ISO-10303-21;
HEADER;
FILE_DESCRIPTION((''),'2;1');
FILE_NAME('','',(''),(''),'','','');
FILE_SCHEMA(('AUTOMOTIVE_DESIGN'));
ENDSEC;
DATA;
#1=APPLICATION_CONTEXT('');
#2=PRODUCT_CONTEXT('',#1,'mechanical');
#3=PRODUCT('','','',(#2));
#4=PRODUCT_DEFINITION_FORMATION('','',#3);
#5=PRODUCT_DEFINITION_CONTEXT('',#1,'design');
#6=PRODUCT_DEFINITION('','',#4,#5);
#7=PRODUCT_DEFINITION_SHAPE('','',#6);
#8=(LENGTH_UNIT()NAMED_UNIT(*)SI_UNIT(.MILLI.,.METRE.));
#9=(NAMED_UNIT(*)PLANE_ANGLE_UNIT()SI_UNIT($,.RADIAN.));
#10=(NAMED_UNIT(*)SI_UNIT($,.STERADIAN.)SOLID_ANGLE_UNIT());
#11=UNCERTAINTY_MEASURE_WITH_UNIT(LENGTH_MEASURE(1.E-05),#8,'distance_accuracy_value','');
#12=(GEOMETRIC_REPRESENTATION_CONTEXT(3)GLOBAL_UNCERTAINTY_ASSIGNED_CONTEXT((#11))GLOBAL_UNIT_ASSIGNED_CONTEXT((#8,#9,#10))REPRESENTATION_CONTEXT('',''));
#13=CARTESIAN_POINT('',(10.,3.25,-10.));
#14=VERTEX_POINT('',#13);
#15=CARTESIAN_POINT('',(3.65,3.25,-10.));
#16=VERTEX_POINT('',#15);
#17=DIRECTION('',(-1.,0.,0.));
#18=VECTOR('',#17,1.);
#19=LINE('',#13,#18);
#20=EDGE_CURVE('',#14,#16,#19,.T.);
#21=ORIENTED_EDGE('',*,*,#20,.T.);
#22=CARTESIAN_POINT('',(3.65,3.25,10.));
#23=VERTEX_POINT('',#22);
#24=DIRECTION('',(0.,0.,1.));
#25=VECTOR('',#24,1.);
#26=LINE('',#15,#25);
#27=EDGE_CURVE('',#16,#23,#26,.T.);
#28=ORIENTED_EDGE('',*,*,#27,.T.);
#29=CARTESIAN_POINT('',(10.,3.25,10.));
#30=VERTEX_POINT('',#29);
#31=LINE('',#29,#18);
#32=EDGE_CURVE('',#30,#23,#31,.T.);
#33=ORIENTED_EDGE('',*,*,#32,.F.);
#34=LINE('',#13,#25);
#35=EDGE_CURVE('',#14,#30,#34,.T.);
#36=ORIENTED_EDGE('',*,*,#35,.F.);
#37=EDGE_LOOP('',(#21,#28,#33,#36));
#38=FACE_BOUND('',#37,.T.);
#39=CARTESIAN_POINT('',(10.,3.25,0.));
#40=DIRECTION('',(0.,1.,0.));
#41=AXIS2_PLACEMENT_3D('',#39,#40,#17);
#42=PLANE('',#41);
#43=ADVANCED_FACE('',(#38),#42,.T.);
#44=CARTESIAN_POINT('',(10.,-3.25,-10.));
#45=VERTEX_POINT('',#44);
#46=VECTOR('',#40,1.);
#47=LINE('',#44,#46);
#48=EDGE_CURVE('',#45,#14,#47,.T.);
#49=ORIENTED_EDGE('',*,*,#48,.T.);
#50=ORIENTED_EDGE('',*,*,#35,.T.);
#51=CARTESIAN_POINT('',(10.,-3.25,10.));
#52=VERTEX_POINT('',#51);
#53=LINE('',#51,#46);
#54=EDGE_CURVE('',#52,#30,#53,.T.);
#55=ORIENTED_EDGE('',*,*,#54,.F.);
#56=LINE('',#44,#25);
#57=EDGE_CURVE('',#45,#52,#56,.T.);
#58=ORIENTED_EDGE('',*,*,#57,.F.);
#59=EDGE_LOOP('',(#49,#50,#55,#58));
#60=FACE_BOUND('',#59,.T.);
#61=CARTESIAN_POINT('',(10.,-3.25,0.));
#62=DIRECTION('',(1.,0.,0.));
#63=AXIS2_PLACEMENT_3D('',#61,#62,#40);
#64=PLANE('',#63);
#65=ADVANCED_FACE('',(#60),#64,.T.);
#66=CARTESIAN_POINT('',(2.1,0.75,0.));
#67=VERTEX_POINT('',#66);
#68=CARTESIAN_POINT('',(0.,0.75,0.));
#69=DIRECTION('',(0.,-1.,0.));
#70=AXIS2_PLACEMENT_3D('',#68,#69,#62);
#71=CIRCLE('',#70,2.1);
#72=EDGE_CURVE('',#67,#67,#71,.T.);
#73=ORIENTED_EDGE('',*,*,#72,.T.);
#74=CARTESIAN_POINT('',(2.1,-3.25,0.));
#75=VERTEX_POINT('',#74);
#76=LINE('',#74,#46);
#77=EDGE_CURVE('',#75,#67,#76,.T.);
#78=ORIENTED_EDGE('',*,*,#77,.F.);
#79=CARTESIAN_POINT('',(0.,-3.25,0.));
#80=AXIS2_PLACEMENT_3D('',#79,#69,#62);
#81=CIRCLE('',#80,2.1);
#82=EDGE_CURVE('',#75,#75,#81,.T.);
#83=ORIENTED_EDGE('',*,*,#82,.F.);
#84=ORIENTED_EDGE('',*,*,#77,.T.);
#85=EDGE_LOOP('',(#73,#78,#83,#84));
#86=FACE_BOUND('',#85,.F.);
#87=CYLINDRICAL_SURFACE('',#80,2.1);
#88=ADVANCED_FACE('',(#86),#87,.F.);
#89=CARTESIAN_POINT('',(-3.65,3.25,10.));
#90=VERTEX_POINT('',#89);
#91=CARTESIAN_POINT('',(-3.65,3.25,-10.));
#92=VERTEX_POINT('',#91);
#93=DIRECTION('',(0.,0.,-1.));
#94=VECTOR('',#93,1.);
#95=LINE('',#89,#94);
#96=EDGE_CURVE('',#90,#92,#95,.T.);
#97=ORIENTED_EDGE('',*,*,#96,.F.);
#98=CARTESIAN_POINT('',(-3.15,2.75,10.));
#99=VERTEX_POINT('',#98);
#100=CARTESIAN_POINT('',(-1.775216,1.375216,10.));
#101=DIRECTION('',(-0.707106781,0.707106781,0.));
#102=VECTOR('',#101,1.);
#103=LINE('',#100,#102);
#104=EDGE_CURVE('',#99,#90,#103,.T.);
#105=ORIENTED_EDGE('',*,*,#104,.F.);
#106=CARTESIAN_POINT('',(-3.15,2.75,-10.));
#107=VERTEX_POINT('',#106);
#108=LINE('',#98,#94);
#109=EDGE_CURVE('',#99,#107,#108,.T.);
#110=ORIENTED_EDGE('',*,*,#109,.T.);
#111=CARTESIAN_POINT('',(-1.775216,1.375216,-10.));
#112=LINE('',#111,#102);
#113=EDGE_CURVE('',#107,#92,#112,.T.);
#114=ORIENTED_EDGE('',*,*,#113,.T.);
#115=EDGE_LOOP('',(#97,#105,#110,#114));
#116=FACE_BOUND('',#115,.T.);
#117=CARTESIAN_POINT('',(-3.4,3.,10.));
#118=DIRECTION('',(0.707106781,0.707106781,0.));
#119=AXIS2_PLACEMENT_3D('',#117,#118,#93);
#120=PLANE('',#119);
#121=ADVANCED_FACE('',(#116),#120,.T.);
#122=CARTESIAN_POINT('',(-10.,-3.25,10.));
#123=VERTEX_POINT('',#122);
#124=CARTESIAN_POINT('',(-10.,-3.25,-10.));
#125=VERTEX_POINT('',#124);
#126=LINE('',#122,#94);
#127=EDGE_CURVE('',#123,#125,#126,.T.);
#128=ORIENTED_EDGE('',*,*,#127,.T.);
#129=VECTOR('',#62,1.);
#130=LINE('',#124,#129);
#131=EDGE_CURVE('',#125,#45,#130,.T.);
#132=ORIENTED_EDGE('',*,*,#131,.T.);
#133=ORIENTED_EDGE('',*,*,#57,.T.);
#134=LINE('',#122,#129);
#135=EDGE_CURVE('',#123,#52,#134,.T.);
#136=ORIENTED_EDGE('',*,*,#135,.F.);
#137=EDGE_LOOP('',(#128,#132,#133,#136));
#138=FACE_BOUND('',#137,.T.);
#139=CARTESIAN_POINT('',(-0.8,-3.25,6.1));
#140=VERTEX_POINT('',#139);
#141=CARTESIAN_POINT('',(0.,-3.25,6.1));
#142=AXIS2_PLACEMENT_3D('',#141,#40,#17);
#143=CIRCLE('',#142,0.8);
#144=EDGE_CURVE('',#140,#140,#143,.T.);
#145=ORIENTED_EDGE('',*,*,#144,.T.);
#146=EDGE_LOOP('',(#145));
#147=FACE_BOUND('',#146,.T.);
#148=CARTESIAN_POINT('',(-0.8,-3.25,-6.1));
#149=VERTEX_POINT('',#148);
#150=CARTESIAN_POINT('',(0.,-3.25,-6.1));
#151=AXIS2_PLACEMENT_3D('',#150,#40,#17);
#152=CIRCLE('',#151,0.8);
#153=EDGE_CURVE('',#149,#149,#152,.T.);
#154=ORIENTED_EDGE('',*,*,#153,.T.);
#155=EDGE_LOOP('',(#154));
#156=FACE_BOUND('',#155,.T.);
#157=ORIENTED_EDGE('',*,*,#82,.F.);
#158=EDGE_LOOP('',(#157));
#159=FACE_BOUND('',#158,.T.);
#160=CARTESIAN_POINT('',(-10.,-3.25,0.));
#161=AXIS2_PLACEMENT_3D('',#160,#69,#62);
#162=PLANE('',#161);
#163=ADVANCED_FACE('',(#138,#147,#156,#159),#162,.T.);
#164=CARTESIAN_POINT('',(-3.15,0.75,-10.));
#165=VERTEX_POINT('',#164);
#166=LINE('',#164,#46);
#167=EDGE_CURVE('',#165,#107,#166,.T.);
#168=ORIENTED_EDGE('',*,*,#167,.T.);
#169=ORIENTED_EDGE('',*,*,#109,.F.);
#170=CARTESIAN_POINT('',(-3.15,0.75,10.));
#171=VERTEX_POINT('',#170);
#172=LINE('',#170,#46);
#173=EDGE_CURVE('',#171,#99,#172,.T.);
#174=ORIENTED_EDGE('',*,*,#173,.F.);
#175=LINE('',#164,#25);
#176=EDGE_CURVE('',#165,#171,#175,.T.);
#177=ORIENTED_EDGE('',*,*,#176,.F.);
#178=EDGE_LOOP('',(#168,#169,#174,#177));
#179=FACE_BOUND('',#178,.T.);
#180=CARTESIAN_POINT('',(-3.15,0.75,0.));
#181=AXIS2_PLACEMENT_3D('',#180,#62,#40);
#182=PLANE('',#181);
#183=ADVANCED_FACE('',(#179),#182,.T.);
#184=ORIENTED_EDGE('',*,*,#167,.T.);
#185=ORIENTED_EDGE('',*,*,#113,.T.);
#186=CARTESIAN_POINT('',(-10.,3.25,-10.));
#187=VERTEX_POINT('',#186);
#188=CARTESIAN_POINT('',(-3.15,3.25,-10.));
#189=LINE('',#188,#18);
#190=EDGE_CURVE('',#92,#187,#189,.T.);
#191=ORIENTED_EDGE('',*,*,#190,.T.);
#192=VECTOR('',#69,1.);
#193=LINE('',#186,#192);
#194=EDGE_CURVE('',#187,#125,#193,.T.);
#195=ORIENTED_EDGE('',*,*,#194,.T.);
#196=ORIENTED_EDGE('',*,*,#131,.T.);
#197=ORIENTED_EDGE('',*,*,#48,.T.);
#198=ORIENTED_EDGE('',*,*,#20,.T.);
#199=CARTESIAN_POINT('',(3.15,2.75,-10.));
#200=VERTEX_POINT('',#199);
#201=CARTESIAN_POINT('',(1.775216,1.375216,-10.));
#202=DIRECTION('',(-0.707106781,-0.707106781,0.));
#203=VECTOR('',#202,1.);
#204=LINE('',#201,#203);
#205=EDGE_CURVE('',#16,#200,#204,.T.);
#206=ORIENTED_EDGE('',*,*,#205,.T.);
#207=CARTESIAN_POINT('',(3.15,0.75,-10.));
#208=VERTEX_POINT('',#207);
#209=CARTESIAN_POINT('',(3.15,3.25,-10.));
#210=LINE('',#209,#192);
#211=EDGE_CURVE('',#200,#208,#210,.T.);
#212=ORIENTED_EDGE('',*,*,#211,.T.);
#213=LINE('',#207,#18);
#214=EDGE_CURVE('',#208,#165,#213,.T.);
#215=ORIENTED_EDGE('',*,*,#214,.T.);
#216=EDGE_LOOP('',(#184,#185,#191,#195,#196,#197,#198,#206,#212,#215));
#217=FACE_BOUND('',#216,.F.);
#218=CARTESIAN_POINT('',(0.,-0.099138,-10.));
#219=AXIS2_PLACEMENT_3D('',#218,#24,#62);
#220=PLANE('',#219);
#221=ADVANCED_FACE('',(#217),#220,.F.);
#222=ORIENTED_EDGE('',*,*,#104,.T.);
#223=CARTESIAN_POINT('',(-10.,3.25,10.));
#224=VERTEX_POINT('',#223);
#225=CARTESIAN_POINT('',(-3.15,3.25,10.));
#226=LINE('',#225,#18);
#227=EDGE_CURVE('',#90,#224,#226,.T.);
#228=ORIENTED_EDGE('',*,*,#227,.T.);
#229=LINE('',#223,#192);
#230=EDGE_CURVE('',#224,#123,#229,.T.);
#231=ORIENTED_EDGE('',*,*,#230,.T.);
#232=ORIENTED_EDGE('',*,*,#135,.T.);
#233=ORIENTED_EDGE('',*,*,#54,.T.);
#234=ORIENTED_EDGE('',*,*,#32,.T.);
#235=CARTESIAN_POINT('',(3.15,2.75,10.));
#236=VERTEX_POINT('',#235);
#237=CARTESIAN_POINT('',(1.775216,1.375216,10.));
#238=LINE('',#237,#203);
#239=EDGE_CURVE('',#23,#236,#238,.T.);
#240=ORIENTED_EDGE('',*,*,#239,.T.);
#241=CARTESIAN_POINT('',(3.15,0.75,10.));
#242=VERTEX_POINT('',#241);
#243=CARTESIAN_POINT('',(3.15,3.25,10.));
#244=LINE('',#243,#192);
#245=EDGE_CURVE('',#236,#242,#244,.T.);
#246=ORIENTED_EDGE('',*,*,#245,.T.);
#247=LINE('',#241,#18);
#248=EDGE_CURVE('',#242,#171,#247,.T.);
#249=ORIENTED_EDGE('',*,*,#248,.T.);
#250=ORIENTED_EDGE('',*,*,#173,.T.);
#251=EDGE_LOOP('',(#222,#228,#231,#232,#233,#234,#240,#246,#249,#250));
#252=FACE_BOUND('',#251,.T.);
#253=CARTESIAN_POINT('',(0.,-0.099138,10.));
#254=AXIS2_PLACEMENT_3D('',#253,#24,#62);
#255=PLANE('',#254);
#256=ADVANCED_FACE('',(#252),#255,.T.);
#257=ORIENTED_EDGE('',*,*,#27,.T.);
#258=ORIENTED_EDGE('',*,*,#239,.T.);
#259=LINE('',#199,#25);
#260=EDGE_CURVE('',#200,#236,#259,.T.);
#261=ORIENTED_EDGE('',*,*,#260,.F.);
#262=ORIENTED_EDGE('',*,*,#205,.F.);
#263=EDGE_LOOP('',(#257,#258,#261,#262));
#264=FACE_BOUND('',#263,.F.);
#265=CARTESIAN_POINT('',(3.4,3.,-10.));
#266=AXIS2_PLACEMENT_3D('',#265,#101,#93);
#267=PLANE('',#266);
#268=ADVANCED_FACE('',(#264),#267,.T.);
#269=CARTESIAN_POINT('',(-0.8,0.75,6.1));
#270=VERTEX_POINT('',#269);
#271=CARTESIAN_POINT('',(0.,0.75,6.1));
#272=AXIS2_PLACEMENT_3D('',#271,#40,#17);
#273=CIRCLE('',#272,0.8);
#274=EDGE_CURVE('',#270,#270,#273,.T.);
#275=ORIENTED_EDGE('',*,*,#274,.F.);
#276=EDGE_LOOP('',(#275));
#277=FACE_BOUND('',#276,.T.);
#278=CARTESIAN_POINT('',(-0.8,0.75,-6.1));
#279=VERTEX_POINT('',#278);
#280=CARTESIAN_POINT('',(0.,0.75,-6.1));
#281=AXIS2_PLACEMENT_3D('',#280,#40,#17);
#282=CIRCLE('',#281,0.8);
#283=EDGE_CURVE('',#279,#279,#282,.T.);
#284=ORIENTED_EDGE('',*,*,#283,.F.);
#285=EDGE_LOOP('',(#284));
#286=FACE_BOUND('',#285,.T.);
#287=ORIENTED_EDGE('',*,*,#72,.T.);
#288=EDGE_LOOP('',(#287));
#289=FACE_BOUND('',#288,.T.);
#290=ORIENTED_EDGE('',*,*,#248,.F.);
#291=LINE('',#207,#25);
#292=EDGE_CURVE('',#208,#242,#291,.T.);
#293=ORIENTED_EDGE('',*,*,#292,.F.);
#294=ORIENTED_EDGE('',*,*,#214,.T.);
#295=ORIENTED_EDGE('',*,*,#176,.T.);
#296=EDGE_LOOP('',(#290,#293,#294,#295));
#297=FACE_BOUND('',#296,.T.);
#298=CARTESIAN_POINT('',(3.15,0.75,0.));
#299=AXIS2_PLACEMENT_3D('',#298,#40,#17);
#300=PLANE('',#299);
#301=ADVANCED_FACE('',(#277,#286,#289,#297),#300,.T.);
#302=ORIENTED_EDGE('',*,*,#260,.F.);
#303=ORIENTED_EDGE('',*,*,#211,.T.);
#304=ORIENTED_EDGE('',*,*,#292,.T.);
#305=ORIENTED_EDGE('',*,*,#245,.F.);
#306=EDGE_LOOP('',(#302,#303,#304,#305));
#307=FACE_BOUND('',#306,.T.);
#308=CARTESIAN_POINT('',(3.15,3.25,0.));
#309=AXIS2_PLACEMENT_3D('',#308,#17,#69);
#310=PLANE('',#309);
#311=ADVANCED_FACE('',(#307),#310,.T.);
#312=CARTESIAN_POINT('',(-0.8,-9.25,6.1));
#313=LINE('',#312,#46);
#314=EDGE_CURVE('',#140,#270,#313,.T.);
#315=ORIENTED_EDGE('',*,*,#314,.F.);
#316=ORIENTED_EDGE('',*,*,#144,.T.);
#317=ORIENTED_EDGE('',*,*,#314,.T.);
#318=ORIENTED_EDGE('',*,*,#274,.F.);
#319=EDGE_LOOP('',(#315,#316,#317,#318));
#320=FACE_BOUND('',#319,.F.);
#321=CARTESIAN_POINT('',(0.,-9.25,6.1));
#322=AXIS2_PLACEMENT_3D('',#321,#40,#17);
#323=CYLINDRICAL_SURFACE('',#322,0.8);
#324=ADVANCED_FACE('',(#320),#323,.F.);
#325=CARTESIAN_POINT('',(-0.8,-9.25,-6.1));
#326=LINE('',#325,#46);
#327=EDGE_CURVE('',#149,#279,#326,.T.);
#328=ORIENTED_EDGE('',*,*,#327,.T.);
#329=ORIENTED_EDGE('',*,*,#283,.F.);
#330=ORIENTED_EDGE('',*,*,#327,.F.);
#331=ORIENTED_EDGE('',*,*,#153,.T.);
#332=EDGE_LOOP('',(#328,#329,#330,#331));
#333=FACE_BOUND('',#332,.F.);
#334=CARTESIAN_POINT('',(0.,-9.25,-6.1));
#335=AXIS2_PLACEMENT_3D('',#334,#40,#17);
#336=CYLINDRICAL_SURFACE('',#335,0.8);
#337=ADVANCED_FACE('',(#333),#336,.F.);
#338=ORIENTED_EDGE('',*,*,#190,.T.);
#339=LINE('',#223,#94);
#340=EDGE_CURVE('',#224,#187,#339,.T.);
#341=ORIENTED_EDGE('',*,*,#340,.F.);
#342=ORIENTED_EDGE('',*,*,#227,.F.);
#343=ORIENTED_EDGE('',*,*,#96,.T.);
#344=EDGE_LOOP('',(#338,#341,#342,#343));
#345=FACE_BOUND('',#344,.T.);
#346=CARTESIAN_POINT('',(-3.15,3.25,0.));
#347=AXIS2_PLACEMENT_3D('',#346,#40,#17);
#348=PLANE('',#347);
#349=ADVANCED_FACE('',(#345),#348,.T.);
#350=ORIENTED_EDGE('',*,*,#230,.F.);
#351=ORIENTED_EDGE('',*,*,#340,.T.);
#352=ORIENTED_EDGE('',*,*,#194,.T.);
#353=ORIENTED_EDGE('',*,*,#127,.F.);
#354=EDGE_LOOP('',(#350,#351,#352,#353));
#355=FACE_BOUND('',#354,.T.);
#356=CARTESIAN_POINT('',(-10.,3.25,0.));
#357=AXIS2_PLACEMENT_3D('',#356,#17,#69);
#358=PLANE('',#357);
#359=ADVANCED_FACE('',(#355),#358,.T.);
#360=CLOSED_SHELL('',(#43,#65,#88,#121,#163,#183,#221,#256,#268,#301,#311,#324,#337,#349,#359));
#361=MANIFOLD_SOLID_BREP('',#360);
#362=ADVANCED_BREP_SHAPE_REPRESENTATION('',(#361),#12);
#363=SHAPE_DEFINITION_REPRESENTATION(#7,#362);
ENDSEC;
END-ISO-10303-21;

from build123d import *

# Parameters (mm, degrees)
F1_DEPTH = 10
F3_D     = 1.6
F3_DEPTH = 6
F2_R     = 2.1
F4_DEPTH = 25
F5_SIZE  = 0.5


with BuildPart() as f1:
    # F0 (on Top) → F1 (new body, symmetric)
    with BuildSketch(Plane.XY):
        Polygon((-10, -3.25), (10, -3.25), (10, 3.25), (3.15, 3.25), (3.15, 0.75), (-3.15, 0.75), (-3.15, 3.25), (-10, 3.25), align=None)
    extrude(amount=F1_DEPTH, both=True)

    # F3
    with Locations(Plane.XZ.offset(3.25)):
        with Locations((0, 6.1), (0, -6.1)):
            Hole(F3_D / 2, depth=F3_DEPTH)

    # F2 (on face) → F4 (cut)
    with BuildSketch(Plane.XZ.offset(3.25)):
        Circle(F2_R)
    extrude(amount=-F4_DEPTH, mode=Mode.SUBTRACT)

    # F5
    f5_edges = [f1.edges().sort_by_distance(p)[0] for p in [
        (-3.15, 3.25, 0),
        (3.15, 3.25, 0),
    ]]
    chamfer(f5_edges, length=F5_SIZE)


solid = f1.part
